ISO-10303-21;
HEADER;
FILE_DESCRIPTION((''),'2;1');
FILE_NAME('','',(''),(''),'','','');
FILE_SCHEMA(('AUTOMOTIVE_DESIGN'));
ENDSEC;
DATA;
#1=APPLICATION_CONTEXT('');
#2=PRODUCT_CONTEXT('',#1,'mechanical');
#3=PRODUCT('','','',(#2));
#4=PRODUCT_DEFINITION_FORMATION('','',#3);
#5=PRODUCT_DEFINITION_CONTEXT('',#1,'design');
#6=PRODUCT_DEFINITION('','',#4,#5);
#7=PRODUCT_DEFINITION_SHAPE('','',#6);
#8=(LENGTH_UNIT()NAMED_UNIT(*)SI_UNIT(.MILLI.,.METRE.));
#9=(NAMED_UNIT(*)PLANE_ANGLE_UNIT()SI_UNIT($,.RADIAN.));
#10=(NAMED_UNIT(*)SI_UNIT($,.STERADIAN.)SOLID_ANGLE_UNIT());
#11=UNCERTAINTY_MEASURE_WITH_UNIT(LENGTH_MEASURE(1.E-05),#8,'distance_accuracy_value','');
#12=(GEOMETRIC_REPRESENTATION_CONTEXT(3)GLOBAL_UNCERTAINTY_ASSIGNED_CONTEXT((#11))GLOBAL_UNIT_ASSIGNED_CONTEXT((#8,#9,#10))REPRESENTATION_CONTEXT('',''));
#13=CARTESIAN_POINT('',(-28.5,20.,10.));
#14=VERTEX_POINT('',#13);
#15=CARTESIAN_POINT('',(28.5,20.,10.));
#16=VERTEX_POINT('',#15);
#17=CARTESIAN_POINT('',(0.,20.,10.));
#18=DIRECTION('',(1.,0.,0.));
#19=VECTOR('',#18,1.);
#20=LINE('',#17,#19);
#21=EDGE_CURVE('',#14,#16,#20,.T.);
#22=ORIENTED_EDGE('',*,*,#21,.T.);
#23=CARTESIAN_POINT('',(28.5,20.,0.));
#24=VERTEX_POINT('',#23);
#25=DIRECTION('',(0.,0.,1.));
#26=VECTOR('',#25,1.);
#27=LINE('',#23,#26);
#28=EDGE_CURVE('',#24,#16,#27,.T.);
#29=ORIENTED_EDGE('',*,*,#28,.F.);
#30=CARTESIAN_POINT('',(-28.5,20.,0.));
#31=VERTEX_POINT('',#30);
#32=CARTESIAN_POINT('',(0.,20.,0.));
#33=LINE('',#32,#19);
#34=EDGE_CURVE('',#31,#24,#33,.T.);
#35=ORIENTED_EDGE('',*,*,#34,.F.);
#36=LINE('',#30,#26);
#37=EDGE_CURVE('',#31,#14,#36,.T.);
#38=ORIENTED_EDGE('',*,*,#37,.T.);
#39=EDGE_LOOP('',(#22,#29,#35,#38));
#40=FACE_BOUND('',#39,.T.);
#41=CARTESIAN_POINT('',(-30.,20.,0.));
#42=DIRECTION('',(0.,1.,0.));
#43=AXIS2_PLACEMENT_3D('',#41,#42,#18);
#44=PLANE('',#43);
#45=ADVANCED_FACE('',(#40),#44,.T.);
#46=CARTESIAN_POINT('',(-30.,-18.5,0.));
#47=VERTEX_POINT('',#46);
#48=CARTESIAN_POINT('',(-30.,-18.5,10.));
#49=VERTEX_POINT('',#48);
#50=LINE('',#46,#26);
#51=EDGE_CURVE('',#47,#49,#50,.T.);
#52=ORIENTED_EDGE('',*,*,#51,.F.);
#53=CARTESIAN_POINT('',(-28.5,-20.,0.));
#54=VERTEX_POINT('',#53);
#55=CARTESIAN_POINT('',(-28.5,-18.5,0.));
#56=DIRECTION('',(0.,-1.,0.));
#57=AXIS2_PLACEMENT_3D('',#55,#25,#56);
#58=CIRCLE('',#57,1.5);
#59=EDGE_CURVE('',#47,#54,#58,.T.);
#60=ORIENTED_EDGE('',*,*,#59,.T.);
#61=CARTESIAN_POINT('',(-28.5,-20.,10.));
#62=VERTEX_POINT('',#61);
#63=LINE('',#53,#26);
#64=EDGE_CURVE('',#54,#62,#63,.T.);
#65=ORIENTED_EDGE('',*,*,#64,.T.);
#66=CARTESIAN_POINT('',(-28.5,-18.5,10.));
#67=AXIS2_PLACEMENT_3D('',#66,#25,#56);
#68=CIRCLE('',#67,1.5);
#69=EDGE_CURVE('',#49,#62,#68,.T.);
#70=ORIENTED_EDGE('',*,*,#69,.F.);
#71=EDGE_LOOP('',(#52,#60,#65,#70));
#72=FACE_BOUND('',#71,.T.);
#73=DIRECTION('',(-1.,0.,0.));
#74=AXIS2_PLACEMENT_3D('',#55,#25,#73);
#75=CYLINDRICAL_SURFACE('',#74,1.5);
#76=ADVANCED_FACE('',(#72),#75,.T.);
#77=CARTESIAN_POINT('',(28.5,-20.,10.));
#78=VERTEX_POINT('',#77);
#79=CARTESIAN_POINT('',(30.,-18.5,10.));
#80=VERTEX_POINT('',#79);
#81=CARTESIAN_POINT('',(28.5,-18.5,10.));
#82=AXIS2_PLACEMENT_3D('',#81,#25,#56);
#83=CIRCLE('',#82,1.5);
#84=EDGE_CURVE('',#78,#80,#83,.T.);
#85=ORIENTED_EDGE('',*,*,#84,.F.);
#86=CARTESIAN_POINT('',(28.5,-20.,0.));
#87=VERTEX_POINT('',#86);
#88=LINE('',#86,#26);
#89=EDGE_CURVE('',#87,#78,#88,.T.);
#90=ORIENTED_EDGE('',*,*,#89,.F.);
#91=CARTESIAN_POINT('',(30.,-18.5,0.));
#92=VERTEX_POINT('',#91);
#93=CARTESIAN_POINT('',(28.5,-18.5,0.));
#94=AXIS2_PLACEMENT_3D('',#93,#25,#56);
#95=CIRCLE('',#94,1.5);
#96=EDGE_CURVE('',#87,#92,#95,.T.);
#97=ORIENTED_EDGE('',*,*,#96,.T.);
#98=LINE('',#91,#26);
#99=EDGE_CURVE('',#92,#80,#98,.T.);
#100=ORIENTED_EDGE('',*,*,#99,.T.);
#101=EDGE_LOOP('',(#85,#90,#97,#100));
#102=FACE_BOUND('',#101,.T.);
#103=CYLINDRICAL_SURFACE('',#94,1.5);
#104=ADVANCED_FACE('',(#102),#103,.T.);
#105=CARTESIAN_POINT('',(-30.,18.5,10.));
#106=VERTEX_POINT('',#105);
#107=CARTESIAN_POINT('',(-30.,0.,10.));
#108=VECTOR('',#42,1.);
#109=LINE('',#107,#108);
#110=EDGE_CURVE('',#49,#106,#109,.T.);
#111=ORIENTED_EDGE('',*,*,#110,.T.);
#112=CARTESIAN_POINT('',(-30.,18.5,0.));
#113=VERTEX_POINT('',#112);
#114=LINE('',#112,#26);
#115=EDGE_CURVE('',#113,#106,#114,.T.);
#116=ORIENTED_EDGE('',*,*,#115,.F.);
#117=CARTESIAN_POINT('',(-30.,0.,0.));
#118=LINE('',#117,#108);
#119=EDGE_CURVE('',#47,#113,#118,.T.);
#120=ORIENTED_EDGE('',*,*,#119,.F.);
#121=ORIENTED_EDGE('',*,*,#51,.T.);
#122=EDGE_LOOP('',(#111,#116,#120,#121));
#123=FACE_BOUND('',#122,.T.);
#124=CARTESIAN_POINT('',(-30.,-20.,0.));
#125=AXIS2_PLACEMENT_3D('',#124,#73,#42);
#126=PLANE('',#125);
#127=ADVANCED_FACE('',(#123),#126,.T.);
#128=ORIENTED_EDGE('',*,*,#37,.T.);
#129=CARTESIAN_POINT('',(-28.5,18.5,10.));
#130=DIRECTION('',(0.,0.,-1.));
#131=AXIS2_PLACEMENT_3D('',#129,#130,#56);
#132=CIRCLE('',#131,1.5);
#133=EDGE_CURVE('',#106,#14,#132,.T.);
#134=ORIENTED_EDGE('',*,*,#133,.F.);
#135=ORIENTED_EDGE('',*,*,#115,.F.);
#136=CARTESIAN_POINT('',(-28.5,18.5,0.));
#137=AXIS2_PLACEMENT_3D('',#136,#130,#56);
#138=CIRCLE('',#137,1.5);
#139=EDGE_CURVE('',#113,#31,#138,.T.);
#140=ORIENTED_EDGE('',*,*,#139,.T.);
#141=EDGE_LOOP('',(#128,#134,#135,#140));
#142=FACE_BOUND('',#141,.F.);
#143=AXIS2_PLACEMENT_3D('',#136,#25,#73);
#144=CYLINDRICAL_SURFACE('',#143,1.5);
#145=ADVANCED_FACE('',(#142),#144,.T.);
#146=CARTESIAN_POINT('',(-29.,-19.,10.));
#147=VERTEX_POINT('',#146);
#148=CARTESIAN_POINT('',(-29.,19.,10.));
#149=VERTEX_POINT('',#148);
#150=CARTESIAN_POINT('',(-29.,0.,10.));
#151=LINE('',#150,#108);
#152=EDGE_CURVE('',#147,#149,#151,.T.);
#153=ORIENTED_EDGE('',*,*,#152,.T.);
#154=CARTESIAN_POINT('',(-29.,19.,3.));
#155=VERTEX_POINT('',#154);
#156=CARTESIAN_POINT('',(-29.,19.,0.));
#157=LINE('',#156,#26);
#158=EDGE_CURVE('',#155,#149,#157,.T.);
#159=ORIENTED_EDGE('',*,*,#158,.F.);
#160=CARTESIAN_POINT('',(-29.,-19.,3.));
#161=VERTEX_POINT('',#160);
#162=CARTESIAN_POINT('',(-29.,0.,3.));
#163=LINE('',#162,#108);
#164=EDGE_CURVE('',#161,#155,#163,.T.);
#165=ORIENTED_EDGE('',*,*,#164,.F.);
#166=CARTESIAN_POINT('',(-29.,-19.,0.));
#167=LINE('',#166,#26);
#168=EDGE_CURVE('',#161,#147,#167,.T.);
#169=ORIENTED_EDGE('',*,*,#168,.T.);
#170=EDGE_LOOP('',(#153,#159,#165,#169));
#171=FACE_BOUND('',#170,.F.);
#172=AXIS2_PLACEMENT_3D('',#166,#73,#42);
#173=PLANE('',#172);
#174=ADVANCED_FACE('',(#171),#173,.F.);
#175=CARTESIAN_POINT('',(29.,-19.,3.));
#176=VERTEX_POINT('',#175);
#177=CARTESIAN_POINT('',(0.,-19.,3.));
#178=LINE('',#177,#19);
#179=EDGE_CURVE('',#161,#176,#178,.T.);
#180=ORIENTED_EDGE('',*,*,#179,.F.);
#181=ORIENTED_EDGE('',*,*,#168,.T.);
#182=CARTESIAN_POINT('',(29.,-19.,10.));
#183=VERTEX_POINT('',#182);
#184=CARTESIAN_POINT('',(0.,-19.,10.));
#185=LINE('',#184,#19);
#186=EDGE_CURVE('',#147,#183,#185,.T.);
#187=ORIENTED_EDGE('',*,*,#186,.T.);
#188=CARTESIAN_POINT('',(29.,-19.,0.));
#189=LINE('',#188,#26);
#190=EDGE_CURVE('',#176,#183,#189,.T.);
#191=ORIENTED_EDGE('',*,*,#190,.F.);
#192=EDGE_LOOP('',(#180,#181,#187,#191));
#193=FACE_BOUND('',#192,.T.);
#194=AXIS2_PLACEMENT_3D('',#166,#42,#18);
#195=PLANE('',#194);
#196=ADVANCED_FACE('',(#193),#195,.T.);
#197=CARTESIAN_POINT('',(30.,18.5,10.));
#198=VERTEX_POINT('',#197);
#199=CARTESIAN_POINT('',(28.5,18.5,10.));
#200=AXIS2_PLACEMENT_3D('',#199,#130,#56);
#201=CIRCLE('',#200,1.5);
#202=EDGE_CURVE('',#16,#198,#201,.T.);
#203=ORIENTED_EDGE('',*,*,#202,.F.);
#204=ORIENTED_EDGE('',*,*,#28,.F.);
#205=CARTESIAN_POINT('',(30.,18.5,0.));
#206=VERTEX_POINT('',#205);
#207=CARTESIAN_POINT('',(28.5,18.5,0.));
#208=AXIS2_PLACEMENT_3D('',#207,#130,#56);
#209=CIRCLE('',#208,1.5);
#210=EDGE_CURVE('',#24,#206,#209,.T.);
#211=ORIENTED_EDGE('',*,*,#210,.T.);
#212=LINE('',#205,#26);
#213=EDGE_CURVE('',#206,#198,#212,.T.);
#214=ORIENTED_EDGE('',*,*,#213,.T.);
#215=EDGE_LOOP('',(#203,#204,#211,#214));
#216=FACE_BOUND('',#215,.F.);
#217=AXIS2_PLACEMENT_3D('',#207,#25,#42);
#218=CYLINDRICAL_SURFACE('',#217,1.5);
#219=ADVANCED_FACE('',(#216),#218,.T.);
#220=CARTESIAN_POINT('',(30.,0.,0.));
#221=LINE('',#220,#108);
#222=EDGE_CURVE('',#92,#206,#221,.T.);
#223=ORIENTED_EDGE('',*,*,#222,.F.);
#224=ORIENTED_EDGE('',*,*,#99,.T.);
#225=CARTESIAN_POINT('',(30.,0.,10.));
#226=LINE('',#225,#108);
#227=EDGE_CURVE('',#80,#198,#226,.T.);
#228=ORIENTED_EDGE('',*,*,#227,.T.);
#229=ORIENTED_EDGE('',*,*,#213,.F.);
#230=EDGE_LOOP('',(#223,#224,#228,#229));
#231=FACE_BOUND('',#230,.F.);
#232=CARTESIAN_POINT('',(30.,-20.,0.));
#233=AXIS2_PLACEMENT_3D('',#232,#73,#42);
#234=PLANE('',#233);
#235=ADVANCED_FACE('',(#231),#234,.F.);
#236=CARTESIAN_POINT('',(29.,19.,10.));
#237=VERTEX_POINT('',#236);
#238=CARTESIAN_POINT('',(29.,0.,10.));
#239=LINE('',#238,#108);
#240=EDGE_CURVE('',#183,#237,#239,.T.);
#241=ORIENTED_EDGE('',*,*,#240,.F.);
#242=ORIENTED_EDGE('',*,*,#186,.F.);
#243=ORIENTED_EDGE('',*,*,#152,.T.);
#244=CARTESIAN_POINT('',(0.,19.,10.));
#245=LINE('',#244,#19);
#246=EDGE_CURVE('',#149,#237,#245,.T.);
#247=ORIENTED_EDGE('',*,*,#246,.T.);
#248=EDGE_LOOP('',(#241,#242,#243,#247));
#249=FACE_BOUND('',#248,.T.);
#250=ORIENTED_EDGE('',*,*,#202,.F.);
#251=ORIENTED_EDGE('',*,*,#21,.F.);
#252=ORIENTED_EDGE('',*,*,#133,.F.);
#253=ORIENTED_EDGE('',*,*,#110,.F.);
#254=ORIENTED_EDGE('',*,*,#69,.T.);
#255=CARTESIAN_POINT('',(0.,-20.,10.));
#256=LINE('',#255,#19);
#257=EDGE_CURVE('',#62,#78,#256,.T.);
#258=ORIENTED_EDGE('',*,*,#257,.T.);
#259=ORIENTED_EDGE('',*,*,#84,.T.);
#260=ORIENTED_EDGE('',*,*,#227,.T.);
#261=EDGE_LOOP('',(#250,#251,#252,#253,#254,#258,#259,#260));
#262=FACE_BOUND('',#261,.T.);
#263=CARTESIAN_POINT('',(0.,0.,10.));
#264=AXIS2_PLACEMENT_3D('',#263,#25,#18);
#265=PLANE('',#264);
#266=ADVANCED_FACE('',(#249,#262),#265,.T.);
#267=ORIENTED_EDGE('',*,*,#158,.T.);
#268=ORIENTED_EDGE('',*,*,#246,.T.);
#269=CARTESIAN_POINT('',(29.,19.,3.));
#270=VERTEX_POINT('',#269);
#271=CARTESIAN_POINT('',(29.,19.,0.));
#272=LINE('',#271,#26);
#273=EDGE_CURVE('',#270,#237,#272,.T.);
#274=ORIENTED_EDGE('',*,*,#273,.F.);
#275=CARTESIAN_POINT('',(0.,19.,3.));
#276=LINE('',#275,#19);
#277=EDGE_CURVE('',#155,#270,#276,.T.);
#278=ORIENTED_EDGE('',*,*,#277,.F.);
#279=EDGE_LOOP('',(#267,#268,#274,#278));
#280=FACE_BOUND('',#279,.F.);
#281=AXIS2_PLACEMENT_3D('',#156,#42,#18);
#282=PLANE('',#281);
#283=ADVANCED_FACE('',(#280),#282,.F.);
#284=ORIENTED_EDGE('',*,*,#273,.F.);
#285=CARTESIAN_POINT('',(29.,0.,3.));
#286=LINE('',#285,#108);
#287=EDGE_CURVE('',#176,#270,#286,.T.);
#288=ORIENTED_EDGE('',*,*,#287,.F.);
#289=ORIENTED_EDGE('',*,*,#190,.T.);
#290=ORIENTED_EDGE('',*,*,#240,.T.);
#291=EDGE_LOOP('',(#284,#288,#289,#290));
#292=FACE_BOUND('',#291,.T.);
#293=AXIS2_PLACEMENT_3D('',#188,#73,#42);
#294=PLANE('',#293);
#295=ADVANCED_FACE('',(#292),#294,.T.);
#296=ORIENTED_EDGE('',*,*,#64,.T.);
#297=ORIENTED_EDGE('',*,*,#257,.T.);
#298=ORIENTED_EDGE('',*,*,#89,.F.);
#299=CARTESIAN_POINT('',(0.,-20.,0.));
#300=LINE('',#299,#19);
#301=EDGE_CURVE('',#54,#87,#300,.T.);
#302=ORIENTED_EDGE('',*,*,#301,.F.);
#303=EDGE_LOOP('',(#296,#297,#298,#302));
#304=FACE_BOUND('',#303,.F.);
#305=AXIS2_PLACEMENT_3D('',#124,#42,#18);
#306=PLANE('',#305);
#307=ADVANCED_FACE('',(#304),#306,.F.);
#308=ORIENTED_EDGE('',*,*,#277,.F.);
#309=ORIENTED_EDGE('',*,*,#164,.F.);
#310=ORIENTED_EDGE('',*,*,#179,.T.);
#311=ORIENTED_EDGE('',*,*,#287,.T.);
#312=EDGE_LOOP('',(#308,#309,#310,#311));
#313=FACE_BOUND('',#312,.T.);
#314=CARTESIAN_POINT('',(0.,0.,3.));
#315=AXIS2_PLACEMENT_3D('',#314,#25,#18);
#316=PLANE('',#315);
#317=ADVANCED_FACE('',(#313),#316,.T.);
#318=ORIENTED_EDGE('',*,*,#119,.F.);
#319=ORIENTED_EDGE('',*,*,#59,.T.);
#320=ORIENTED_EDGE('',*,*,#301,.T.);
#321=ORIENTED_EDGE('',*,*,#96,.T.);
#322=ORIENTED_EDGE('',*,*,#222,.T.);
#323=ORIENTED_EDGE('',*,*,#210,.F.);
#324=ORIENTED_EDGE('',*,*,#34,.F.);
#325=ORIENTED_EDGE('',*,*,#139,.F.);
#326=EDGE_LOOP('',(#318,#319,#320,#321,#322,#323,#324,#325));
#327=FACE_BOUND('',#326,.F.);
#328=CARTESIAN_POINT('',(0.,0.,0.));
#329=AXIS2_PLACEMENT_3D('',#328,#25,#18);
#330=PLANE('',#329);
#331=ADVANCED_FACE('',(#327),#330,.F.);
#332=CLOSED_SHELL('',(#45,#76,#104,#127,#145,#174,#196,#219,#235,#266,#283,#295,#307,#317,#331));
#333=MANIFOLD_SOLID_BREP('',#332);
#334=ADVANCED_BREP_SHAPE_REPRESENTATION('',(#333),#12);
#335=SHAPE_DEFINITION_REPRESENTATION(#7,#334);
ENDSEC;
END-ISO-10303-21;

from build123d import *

# Parameters (mm, degrees)
F0_W     = 58
F0_H     = 38
F1_DEPTH = 3
F0_W_2   = 60
F0_H_2   = 40
F2_DEPTH = 10
F3_R     = 1.5


with BuildPart() as f1:
    # F0 (on Top) → F1 (new body)
    with BuildSketch(Plane.XY):
        Rectangle(F0_W, F0_H)
    extrude(amount=F1_DEPTH)

    # F0 (on Top) → F2 (join)
    with BuildSketch(Plane.XY):
        Rectangle(F0_W_2, F0_H_2)
        Rectangle(F0_W, F0_H, mode=Mode.SUBTRACT)
    extrude(amount=F2_DEPTH)

    # F3
    f3_edges = [f1.edges().sort_by_distance(p)[0] for p in [
        (-30, -20, 5),
        (30, -20, 5),
        (30, 20, 5),
        (-30, 20, 5),
    ]]
    fillet(f3_edges, radius=F3_R)


solid = f1.part
